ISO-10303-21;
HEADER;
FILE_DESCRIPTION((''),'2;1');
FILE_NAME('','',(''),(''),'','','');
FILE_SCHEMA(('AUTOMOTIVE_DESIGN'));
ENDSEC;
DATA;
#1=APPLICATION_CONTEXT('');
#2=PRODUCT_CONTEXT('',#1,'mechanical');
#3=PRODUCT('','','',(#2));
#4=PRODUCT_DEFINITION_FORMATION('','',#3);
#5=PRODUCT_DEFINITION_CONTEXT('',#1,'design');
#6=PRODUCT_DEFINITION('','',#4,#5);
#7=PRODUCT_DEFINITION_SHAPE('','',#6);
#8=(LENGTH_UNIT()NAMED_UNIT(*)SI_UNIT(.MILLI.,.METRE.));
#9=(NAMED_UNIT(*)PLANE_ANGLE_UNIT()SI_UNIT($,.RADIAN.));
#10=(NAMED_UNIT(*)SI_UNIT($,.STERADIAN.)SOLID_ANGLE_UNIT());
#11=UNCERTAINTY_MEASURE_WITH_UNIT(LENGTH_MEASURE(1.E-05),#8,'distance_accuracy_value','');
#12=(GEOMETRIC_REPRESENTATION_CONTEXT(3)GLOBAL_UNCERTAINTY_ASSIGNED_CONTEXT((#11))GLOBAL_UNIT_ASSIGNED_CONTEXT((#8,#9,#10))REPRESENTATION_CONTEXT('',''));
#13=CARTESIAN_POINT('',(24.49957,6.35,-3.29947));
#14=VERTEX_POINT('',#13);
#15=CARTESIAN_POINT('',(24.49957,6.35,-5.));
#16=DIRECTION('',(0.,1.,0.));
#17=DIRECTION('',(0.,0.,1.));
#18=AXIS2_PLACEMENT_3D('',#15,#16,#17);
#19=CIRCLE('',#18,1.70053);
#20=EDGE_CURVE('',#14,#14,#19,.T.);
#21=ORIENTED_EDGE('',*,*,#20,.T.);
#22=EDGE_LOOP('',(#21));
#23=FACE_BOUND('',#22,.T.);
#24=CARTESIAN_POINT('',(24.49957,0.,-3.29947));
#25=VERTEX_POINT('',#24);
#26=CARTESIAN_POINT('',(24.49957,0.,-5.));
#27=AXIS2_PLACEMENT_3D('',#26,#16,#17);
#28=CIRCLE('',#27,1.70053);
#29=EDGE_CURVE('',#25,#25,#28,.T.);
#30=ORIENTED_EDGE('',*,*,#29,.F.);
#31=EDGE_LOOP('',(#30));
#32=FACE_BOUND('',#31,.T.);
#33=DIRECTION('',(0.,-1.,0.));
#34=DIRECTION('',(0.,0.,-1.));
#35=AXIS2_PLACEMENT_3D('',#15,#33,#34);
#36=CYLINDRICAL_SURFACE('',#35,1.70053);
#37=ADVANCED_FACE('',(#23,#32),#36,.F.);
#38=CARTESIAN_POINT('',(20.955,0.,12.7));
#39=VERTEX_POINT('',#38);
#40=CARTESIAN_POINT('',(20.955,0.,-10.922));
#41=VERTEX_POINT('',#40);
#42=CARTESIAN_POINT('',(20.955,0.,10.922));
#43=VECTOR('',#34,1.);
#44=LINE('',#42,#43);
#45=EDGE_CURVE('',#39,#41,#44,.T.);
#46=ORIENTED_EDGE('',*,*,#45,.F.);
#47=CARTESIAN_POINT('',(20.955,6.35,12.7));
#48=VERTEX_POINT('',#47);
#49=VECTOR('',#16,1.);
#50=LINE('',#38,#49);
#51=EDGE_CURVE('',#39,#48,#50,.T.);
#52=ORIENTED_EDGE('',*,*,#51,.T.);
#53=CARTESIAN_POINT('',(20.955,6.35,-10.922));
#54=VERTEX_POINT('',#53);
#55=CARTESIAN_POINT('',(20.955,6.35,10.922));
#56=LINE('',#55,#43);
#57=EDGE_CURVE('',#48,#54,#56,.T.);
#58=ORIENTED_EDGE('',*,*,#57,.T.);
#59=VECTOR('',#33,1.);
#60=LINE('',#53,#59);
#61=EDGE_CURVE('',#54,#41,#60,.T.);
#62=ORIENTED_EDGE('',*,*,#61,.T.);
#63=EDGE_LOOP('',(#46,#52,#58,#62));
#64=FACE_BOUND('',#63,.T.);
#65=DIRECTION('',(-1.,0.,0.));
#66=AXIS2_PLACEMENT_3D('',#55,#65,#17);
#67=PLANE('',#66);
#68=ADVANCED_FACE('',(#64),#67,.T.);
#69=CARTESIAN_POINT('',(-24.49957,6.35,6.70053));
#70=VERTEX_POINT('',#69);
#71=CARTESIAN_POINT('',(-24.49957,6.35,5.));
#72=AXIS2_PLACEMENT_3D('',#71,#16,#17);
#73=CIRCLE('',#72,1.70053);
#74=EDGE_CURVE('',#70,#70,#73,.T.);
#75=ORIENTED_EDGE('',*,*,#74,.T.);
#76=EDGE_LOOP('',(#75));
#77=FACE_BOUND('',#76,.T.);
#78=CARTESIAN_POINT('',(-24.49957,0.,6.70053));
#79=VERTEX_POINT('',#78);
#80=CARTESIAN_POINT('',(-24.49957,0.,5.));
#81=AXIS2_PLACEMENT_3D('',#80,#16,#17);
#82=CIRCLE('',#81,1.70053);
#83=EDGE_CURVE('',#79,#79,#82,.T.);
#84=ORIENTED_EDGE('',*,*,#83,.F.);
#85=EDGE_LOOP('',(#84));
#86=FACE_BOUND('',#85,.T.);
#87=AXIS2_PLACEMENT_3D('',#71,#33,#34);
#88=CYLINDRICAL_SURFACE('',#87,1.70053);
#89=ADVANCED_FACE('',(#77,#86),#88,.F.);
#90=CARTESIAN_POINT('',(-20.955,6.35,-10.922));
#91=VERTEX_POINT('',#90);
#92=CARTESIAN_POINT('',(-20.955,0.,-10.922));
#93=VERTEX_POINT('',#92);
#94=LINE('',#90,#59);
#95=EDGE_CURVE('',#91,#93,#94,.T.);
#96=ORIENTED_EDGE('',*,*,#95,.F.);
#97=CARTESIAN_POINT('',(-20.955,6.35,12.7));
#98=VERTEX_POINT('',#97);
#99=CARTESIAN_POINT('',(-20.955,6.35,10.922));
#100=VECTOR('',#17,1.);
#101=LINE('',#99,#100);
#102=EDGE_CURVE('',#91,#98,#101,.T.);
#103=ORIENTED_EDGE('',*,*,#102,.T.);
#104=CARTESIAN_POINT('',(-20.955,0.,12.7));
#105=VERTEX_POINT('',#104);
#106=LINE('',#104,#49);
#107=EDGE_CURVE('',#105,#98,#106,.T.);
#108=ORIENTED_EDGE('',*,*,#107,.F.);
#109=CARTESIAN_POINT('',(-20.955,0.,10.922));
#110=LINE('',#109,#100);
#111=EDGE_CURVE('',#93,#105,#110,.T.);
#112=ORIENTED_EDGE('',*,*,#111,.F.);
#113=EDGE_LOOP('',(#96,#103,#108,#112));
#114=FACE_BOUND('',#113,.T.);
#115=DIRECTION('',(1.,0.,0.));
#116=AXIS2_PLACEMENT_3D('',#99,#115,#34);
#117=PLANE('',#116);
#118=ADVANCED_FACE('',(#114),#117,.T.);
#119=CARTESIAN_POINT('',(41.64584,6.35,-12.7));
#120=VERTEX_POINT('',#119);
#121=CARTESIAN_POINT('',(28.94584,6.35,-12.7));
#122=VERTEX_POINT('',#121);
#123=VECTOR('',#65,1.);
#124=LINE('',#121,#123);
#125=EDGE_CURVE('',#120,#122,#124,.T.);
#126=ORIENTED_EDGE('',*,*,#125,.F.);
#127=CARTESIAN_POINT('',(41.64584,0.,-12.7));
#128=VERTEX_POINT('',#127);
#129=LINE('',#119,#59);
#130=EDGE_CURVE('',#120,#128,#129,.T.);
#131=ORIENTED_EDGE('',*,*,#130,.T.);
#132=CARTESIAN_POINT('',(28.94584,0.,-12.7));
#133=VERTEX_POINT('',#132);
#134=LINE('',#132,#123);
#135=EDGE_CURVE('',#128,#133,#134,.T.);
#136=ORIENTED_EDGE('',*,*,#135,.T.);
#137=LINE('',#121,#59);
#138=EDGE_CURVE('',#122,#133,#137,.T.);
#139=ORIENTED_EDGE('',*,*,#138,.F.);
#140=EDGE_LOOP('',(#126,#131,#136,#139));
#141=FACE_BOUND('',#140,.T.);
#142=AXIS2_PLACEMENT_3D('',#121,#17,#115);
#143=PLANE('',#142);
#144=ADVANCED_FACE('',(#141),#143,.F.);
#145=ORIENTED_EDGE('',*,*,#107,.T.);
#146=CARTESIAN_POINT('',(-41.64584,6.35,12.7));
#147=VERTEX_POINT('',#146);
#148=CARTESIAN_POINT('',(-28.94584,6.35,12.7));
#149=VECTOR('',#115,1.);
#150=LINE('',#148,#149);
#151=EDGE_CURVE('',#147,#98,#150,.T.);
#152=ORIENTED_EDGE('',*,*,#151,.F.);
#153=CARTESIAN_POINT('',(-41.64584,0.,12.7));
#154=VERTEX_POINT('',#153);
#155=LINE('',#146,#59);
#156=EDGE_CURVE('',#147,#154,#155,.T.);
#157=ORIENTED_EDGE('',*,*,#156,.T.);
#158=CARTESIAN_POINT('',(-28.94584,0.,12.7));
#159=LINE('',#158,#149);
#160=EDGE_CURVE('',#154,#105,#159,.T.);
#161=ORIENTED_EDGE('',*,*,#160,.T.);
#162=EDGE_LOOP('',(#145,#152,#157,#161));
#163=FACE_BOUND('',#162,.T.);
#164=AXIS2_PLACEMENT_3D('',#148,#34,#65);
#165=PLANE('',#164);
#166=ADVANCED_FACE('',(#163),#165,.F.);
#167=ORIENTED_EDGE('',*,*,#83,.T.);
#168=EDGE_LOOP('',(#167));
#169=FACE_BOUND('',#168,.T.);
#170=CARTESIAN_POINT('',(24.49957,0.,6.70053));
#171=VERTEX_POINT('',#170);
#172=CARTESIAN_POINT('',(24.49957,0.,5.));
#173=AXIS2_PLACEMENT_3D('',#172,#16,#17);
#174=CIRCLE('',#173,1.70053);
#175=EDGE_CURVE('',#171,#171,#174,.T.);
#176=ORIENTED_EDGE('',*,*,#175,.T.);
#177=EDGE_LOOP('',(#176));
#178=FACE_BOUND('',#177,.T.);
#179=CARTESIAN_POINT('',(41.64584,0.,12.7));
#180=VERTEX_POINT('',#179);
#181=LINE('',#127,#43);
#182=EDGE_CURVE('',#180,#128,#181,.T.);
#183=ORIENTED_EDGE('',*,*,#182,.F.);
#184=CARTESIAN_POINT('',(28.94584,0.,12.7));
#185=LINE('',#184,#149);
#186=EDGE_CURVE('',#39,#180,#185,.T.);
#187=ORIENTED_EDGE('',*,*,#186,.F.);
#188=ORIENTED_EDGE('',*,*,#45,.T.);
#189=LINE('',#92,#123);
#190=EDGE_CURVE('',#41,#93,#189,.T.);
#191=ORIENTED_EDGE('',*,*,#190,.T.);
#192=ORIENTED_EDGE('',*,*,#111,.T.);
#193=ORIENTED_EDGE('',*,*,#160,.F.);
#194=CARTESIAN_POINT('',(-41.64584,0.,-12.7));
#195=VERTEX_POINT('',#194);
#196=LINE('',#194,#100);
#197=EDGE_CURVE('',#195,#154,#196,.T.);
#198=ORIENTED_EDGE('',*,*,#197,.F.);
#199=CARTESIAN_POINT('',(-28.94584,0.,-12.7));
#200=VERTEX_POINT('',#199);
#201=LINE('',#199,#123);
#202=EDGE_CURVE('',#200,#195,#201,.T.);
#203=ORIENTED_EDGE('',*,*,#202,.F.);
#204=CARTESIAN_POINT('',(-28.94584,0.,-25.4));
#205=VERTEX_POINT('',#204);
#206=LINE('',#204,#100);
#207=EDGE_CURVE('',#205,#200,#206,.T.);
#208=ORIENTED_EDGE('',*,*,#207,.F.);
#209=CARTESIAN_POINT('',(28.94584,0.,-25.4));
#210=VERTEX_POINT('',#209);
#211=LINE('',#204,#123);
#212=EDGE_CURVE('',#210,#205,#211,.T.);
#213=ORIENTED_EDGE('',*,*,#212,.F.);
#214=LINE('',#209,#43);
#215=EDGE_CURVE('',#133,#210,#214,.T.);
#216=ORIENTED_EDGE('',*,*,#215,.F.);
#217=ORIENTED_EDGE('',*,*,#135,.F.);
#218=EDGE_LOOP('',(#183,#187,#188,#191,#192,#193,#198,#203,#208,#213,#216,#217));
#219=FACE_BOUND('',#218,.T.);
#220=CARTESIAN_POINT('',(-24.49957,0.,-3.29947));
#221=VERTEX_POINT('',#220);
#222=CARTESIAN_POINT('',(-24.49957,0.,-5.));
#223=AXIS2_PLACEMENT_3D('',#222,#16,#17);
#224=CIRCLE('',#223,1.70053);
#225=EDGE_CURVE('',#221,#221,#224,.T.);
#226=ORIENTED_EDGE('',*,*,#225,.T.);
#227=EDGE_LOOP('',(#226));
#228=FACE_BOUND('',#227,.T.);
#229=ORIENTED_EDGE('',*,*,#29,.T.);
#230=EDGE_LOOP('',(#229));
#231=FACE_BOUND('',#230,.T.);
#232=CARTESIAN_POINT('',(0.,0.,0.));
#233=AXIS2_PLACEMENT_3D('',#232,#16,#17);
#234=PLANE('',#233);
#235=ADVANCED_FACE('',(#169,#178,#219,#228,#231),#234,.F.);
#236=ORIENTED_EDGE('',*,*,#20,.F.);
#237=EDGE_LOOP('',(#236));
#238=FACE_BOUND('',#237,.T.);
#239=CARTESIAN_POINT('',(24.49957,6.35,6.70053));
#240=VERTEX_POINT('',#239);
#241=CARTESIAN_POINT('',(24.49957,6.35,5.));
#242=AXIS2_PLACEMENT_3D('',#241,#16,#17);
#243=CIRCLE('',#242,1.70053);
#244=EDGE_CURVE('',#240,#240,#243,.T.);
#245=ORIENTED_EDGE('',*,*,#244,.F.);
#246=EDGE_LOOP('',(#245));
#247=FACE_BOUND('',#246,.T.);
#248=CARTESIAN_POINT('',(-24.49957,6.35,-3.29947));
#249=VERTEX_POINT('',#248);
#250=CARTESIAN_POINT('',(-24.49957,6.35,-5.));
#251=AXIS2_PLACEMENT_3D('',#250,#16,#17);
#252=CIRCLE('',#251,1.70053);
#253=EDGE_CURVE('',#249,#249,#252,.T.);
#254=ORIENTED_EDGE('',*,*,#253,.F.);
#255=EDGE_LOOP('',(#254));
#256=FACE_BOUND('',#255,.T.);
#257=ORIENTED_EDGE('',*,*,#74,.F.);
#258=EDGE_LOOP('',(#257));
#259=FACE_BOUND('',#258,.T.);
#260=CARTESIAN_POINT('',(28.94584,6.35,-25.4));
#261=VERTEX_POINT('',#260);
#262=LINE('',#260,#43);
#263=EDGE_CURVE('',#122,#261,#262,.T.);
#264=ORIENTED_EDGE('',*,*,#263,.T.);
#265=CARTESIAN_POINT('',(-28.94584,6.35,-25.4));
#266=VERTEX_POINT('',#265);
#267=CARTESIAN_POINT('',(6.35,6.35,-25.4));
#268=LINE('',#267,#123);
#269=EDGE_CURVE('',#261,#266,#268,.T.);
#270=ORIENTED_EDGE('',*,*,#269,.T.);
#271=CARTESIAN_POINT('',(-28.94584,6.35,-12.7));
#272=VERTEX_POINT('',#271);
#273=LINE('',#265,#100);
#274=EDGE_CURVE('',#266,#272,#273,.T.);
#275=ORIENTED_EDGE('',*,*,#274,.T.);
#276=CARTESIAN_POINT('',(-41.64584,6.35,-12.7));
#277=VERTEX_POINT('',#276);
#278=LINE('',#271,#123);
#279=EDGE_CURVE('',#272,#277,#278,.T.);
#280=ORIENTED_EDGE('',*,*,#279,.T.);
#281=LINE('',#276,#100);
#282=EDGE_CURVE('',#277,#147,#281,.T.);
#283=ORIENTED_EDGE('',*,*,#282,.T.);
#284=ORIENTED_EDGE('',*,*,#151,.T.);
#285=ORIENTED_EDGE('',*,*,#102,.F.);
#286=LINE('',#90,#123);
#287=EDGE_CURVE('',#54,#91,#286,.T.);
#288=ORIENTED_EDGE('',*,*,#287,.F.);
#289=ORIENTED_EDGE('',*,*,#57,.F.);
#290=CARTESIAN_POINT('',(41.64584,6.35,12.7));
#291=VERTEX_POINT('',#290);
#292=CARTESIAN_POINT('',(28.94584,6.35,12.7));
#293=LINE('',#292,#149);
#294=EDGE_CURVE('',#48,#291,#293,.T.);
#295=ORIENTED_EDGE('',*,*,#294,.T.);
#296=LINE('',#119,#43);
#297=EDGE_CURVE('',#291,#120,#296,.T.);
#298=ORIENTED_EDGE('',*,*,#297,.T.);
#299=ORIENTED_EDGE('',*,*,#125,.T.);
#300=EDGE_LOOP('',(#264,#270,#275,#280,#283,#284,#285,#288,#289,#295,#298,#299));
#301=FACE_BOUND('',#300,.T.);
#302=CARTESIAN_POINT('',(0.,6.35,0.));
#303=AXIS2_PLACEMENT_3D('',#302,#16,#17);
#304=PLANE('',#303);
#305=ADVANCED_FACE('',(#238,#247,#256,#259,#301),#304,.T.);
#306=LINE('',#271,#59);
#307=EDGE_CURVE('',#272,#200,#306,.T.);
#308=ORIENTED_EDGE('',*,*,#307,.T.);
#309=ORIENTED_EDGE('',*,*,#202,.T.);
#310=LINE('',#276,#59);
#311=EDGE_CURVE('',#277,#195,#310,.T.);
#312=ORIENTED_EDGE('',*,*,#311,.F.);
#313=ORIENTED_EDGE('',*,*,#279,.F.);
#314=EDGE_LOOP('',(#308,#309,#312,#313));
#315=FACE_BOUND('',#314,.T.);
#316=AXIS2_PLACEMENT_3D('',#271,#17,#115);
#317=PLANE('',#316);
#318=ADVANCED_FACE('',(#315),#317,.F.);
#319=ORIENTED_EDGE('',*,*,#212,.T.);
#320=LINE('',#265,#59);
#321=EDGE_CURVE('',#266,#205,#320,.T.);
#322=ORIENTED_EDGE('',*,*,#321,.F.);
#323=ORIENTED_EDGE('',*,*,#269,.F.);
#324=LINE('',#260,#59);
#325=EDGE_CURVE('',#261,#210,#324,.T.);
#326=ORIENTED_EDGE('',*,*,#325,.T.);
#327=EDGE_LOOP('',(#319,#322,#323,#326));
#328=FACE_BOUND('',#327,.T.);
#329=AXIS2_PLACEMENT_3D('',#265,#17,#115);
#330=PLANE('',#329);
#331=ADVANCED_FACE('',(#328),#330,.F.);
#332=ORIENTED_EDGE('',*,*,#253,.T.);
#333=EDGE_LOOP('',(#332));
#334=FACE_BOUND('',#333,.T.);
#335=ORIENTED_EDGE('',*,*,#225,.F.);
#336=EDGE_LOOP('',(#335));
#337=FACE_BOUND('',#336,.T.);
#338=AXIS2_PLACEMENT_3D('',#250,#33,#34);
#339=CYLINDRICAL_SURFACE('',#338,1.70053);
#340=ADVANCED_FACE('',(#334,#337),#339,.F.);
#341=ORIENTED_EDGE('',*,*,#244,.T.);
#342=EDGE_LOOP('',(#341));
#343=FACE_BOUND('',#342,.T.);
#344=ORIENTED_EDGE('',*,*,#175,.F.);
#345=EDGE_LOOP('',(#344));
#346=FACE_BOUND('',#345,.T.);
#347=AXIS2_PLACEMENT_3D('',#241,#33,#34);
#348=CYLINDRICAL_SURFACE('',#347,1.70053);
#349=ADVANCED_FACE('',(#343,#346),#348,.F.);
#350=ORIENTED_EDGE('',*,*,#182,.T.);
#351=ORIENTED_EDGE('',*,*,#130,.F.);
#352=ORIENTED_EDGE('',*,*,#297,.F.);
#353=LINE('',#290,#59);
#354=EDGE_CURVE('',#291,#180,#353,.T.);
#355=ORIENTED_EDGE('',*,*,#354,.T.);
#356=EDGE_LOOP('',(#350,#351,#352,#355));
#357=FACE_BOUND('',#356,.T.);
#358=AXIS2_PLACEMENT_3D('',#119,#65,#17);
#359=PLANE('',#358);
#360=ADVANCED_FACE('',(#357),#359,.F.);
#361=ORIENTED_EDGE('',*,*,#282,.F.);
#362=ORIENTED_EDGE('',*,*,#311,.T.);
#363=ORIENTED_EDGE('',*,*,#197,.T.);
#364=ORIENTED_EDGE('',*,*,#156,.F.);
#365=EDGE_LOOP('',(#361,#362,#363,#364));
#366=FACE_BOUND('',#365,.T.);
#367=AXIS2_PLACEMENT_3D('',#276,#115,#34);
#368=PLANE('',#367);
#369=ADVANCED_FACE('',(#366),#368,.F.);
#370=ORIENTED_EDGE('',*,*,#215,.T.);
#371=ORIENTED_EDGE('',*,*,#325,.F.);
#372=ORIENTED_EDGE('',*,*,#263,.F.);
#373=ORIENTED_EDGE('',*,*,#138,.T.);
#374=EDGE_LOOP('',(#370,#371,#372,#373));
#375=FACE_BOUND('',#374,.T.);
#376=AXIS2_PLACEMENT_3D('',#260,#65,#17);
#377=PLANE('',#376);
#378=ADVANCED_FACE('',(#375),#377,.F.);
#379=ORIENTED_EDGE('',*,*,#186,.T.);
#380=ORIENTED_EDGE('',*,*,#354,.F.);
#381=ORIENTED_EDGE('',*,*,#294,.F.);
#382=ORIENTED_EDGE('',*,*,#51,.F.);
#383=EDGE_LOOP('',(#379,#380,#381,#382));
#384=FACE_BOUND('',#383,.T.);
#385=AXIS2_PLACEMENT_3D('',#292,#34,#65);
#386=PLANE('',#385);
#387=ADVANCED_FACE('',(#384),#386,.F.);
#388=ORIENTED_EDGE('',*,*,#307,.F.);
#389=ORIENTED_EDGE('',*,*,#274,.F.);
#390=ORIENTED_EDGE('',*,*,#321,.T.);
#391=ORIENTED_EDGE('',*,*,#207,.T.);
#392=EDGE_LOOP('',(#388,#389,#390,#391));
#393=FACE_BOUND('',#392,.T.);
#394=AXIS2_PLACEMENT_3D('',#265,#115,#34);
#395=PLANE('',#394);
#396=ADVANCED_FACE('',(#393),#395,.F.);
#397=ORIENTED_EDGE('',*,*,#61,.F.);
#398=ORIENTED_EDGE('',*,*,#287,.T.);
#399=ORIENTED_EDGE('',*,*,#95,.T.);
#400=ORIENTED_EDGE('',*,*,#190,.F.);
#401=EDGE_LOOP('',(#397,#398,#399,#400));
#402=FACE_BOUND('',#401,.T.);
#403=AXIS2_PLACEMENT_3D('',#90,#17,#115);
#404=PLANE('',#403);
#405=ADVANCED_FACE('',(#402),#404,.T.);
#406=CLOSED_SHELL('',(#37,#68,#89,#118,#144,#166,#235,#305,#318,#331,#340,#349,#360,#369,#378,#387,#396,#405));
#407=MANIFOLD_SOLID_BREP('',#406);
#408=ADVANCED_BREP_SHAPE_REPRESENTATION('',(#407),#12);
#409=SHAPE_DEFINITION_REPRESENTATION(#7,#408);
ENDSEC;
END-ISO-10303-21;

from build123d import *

# Parameters (mm, degrees)
SKETCH1_R           = 1.70053
SKETCH1_W           = 41.91
SKETCH1_H           = 21.844
BOSS_EXTRUDE1_DEPTH = 6.35
CUT_EXTRUDE1_DEPTH  = 50.192057177


with BuildPart() as part:
    # Sketch1 → Boss-Extrude1 (new body)
    with BuildSketch(Plane(origin=(0, 0, 0), x_dir=(1, 0, 0), z_dir=(0, 1, 0))):
        Polygon((-6.35, 25.4), (6.35, 25.4), (28.94584, 25.4), (28.94584, 12.7), (41.64584, 12.7), (41.64584, -12.7), (28.94584, -12.7), (28.94584, -25.4), (6.35, -25.4), (-6.35, -25.4), (-28.94584, -25.4), (-28.94584, -12.7), (-41.64584, -12.7), (-41.64584, 12.7), (-28.94584, 12.7), (-28.94584, 25.4), align=None)
        with Locations(Location((-24.49957, 5, 0), (0, 0, 270))):
            Circle(SKETCH1_R, mode=Mode.SUBTRACT)
        with Locations(Location((-24.49957, -5, 0), (0, 0, 270))):
            Circle(SKETCH1_R, mode=Mode.SUBTRACT)
        with Locations(Location((24.49957, -5, 0), (0, 0, 270))):
            Circle(SKETCH1_R, mode=Mode.SUBTRACT)
        with Locations(Location((24.49957, 5, 0), (0, 0, 270))):
            Circle(SKETCH1_R, mode=Mode.SUBTRACT)
        Rectangle(SKETCH1_W, SKETCH1_H, mode=Mode.SUBTRACT)
    extrude(amount=BOSS_EXTRUDE1_DEPTH)

    # Sketch2 → Cut-Extrude1 (cut, through all)
    with BuildSketch(Plane(origin=(0, 6.35, 0), x_dir=(1, 0, 0), z_dir=(0, 1, 0))):
        Polygon((-28.94584, -12.7), (-20.955, -12.7), (-20.955, -10.922), (20.955, -10.922), (20.955, -12.7), (28.94584, -12.7), (28.94584, -25.4), (-28.94584, -25.4), align=None)
    extrude(amount=-CUT_EXTRUDE1_DEPTH, mode=Mode.SUBTRACT)


solid = part.part
